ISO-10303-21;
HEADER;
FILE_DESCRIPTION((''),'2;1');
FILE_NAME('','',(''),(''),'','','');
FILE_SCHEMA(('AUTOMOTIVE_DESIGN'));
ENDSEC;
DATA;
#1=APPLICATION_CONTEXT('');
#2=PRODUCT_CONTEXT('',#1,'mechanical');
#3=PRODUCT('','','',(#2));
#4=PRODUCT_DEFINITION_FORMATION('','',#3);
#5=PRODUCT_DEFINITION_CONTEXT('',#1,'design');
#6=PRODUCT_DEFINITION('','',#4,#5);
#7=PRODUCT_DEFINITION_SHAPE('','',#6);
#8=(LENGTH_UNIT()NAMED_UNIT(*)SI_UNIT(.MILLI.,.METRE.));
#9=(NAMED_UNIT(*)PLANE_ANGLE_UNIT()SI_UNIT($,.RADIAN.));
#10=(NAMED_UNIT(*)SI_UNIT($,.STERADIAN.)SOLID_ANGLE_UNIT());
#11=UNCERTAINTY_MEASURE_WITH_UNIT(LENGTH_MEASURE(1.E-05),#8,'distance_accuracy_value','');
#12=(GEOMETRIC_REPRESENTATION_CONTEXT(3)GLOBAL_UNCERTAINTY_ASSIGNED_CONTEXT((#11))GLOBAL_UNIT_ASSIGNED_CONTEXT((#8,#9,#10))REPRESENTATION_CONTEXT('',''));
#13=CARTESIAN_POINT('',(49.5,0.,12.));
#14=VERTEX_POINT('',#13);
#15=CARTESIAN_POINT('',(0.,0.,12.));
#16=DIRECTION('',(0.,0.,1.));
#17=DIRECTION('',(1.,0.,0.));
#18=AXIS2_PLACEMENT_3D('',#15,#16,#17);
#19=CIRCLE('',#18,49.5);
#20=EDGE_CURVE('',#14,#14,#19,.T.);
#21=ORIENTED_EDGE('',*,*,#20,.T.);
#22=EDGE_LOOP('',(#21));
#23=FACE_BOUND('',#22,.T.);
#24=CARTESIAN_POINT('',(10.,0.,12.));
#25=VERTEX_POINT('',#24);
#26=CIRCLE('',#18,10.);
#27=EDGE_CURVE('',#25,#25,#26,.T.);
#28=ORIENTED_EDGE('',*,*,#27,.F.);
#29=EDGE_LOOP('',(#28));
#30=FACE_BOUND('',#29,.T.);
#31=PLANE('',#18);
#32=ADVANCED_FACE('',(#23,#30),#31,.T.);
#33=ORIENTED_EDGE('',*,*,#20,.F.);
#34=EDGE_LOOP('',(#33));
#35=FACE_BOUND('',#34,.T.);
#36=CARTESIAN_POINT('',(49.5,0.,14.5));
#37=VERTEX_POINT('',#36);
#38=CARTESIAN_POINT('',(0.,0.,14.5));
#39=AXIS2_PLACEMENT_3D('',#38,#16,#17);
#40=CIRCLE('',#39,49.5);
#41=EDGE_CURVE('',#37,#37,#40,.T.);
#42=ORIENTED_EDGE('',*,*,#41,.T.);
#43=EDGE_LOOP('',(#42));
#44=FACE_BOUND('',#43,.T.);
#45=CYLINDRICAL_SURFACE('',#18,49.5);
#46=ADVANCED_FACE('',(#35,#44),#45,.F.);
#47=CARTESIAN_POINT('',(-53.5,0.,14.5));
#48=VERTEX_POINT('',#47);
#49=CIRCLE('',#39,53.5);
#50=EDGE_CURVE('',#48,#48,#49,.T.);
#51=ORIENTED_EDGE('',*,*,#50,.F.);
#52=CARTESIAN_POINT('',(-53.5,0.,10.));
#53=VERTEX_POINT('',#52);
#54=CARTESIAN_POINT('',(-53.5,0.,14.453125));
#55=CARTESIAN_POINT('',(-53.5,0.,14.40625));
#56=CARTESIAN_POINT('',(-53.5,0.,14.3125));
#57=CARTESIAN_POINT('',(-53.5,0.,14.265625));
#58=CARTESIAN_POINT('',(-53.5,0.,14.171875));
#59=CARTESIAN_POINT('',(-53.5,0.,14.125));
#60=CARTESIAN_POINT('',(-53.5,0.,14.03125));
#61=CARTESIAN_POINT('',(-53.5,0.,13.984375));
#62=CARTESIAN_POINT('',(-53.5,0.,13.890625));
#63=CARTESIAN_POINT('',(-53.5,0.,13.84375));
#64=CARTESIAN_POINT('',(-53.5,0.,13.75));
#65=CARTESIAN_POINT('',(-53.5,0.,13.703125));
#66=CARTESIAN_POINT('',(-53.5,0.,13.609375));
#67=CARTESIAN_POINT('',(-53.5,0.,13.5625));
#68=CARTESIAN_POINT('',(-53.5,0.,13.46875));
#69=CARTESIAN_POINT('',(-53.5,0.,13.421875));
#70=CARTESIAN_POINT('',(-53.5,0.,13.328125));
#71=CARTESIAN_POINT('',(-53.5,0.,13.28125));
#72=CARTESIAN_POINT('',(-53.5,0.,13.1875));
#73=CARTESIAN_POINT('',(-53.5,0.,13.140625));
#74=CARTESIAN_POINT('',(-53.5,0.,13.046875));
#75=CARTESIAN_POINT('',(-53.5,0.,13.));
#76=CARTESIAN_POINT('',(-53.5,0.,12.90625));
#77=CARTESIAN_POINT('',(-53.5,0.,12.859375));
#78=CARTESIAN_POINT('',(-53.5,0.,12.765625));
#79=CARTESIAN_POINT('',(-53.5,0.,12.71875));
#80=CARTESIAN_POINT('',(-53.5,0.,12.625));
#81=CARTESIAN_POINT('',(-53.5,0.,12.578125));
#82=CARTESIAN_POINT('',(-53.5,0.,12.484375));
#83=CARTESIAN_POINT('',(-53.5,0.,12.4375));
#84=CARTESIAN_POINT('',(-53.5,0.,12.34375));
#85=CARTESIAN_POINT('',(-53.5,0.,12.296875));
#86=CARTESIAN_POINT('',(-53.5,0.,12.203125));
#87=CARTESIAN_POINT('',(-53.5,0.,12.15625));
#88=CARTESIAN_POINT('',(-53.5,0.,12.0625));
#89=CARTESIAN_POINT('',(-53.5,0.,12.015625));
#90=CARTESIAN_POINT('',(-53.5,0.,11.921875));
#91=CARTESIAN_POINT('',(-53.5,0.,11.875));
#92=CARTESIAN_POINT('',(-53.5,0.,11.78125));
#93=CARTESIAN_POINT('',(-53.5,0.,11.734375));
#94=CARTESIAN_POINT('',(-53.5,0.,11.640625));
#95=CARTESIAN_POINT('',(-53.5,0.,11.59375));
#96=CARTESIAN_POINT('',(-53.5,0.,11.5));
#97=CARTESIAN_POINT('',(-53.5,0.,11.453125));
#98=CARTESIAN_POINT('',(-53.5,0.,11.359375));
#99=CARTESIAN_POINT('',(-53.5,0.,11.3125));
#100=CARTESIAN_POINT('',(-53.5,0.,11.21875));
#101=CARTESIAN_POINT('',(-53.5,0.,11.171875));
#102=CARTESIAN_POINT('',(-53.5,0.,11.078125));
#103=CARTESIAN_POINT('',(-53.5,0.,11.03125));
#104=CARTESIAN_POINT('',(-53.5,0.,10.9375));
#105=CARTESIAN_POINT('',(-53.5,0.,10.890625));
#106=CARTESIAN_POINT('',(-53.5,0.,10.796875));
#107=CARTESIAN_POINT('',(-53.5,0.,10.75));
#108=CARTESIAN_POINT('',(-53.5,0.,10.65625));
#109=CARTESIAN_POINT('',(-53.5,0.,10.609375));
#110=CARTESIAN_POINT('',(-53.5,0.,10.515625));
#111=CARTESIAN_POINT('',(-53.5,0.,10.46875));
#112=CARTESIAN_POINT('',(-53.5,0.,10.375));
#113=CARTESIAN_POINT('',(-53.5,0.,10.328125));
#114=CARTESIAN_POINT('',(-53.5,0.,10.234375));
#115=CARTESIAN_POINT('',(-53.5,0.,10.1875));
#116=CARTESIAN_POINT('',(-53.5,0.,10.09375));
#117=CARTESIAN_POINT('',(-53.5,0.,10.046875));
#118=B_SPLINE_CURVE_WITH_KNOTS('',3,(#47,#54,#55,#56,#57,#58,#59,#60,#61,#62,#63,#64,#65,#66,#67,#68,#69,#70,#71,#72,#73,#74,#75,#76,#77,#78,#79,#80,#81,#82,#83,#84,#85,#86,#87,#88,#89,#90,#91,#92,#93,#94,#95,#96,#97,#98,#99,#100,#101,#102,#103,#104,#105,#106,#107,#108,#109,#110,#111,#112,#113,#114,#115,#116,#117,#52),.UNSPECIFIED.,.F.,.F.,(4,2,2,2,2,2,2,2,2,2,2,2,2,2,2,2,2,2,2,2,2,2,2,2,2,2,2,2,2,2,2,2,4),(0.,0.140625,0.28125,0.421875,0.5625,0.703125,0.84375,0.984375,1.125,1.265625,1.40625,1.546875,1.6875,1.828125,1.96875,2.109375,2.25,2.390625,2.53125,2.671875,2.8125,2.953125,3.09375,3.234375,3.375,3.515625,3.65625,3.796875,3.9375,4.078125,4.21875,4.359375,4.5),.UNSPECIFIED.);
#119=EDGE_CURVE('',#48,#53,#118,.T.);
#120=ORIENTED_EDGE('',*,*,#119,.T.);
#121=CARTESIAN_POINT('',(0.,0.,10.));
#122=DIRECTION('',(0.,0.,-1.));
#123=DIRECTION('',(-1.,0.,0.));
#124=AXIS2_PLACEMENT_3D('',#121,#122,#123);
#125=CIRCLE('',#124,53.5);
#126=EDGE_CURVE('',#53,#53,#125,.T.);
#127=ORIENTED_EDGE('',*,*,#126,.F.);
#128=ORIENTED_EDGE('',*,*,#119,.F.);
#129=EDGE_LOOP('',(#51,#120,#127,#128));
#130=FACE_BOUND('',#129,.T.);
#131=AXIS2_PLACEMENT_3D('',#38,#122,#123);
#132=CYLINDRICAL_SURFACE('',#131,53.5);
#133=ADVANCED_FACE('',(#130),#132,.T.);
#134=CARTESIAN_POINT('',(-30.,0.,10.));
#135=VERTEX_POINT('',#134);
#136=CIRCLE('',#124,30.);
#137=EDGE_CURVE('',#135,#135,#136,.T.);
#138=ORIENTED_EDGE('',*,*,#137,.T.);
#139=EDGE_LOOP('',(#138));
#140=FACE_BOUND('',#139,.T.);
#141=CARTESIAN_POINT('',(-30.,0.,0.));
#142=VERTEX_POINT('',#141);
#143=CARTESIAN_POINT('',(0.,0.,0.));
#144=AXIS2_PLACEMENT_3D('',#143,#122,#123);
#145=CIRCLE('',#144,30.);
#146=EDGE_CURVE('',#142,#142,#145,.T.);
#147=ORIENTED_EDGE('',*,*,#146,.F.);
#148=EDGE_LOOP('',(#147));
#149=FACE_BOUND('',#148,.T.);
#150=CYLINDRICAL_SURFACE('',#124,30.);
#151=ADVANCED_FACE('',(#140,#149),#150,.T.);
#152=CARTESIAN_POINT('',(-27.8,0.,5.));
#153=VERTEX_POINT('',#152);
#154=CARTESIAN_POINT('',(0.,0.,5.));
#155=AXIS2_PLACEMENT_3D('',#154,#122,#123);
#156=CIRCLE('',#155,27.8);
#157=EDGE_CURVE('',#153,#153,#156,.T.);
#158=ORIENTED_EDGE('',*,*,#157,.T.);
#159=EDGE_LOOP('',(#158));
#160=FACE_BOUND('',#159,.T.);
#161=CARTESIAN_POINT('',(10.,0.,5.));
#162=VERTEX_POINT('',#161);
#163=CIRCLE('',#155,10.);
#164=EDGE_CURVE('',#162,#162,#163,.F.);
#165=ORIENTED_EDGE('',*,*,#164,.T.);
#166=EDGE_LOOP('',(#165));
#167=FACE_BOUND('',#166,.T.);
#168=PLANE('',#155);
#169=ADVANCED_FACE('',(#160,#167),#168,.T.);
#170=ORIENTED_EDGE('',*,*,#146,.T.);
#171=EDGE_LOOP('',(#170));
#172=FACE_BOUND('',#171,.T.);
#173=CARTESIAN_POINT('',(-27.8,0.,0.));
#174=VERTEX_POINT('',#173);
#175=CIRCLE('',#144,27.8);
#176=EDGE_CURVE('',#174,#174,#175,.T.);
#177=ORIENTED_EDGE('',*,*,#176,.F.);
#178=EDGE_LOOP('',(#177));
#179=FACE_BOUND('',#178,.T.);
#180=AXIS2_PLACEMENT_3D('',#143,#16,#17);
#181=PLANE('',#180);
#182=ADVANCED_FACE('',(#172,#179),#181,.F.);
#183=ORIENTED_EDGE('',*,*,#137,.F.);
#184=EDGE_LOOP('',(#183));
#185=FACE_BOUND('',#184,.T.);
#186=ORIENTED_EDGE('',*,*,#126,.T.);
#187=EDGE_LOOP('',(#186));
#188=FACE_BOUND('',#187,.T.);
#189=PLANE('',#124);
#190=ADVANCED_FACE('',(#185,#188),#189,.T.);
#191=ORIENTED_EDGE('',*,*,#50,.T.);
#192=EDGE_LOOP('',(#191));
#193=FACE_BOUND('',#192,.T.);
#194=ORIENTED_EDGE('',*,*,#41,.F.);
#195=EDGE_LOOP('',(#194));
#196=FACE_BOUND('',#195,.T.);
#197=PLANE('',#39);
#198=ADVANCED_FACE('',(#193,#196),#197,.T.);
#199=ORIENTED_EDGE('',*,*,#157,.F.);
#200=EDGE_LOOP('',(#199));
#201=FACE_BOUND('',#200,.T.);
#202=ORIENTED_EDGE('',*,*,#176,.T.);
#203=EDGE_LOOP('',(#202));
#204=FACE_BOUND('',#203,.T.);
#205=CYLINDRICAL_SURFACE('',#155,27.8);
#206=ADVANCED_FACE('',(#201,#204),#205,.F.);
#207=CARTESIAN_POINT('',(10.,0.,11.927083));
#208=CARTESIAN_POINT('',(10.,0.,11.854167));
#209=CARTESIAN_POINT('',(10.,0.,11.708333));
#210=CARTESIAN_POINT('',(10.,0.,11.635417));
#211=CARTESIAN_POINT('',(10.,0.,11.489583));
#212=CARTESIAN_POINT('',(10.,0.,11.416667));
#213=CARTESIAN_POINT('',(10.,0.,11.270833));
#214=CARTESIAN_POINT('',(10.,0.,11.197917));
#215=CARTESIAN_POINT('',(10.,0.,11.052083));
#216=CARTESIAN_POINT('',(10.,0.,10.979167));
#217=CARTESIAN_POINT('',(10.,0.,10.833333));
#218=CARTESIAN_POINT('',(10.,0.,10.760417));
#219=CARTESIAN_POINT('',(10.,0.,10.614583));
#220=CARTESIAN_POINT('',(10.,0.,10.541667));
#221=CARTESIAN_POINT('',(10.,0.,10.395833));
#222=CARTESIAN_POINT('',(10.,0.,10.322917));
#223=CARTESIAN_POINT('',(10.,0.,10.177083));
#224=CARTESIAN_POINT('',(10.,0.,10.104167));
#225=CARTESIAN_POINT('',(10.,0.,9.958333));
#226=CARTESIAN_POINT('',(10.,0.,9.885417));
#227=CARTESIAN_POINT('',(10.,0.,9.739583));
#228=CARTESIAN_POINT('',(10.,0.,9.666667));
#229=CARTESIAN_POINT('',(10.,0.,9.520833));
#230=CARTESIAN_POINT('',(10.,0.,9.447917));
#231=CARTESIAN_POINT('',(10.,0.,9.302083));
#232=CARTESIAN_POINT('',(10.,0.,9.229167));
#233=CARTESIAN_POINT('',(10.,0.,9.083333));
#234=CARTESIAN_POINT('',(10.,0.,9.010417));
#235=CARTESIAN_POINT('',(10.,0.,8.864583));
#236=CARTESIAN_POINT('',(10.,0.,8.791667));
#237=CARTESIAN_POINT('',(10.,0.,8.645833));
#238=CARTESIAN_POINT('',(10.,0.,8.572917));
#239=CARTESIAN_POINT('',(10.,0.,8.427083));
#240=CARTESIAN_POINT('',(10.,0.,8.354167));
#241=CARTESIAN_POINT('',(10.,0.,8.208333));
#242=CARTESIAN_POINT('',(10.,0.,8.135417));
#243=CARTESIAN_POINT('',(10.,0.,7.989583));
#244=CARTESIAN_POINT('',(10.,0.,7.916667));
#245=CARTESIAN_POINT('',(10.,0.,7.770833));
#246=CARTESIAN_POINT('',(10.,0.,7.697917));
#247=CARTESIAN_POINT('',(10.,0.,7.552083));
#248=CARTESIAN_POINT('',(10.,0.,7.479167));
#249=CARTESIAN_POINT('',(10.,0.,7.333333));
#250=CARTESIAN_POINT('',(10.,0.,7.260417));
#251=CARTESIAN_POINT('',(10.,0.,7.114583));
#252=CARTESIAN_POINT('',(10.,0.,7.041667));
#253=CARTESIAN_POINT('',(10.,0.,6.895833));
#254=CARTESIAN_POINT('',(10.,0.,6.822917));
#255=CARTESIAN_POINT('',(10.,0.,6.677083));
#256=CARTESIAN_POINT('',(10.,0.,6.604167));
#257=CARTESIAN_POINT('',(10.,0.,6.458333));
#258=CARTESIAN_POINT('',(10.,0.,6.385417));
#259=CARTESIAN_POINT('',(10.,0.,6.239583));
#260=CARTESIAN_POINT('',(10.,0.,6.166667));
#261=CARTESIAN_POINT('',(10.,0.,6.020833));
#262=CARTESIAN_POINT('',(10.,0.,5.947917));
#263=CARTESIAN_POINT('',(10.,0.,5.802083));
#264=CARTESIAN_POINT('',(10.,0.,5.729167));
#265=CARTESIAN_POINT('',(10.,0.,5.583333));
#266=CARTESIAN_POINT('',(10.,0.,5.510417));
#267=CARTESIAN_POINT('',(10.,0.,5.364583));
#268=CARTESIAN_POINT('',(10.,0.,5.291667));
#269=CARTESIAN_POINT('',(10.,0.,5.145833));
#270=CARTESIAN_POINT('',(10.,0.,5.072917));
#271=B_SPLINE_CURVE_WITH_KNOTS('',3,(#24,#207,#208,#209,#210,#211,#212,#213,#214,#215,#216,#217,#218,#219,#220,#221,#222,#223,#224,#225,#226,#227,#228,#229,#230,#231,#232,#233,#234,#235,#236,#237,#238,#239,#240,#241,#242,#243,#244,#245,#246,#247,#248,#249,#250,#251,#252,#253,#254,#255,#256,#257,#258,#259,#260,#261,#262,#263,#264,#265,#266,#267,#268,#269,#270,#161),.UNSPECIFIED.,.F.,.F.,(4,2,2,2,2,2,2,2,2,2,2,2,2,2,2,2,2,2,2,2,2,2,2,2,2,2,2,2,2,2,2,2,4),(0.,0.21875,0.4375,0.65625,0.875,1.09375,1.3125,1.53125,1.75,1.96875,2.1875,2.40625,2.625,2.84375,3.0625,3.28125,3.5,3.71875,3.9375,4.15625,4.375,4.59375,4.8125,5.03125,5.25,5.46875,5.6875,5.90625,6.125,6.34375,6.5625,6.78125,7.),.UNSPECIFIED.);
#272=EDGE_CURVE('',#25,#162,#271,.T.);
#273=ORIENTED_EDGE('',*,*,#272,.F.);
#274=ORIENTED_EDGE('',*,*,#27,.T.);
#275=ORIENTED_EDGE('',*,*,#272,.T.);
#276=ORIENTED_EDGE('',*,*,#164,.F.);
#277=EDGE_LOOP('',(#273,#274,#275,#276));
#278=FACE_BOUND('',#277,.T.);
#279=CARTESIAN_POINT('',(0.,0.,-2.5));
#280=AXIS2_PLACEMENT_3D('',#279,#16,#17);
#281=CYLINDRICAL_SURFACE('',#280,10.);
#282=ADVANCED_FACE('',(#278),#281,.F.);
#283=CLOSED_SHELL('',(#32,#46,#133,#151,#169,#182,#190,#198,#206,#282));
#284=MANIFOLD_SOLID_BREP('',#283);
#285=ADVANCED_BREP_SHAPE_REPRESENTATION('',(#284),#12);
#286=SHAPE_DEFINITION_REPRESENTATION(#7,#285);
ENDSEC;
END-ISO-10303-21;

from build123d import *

# Parameters (mm, degrees)
SKETCH1_R           = 53.5
BOSS_EXTRUDE1_DEPTH = 14.5
SKETCH2_R           = 49.5
CUT_EXTRUDE1_DEPTH  = 2.5
SKETCH3_R           = 10
CUT_EXTRUDE3_DEPTH  = 14.5
SKETCH6_R           = 53.5
SKETCH6_R_2         = 30
CUT_EXTRUDE8_DEPTH  = 10
SKETCH7_R           = 27.8
CUT_EXTRUDE9_DEPTH  = 5


with BuildPart() as part:
    # Sketch1 → Boss-Extrude1 (new body)
    with BuildSketch(Plane.XY):
        with Locations(Location((0, 0, 0), (0, 0, 180))):
            Circle(SKETCH1_R)
    extrude(amount=BOSS_EXTRUDE1_DEPTH)

    # Sketch2 → Cut-Extrude1 (cut)
    with BuildSketch(Plane.XY.offset(14.5)):
        Circle(SKETCH2_R)
    extrude(amount=-CUT_EXTRUDE1_DEPTH, mode=Mode.SUBTRACT)

    # Sketch3 → Cut-Extrude3 (cut)
    with BuildSketch(Plane.XY.offset(12)):
        Circle(SKETCH3_R)
    extrude(amount=-CUT_EXTRUDE3_DEPTH, mode=Mode.SUBTRACT)

    # Sketch6 → Cut-Extrude8 (cut)
    with BuildSketch(Plane(origin=(0, 0, 0), x_dir=(-1, 0, 0), z_dir=(0, 0, -1))):
        Circle(SKETCH6_R)
        Circle(SKETCH6_R_2, mode=Mode.SUBTRACT)
    extrude(amount=-CUT_EXTRUDE8_DEPTH, mode=Mode.SUBTRACT)

    # Sketch7 → Cut-Extrude9 (cut)
    with BuildSketch(Plane(origin=(0, 0, 0), x_dir=(-1, 0, 0), z_dir=(0, 0, -1))):
        Circle(SKETCH7_R)
    extrude(amount=-CUT_EXTRUDE9_DEPTH, mode=Mode.SUBTRACT)


solid = part.part
